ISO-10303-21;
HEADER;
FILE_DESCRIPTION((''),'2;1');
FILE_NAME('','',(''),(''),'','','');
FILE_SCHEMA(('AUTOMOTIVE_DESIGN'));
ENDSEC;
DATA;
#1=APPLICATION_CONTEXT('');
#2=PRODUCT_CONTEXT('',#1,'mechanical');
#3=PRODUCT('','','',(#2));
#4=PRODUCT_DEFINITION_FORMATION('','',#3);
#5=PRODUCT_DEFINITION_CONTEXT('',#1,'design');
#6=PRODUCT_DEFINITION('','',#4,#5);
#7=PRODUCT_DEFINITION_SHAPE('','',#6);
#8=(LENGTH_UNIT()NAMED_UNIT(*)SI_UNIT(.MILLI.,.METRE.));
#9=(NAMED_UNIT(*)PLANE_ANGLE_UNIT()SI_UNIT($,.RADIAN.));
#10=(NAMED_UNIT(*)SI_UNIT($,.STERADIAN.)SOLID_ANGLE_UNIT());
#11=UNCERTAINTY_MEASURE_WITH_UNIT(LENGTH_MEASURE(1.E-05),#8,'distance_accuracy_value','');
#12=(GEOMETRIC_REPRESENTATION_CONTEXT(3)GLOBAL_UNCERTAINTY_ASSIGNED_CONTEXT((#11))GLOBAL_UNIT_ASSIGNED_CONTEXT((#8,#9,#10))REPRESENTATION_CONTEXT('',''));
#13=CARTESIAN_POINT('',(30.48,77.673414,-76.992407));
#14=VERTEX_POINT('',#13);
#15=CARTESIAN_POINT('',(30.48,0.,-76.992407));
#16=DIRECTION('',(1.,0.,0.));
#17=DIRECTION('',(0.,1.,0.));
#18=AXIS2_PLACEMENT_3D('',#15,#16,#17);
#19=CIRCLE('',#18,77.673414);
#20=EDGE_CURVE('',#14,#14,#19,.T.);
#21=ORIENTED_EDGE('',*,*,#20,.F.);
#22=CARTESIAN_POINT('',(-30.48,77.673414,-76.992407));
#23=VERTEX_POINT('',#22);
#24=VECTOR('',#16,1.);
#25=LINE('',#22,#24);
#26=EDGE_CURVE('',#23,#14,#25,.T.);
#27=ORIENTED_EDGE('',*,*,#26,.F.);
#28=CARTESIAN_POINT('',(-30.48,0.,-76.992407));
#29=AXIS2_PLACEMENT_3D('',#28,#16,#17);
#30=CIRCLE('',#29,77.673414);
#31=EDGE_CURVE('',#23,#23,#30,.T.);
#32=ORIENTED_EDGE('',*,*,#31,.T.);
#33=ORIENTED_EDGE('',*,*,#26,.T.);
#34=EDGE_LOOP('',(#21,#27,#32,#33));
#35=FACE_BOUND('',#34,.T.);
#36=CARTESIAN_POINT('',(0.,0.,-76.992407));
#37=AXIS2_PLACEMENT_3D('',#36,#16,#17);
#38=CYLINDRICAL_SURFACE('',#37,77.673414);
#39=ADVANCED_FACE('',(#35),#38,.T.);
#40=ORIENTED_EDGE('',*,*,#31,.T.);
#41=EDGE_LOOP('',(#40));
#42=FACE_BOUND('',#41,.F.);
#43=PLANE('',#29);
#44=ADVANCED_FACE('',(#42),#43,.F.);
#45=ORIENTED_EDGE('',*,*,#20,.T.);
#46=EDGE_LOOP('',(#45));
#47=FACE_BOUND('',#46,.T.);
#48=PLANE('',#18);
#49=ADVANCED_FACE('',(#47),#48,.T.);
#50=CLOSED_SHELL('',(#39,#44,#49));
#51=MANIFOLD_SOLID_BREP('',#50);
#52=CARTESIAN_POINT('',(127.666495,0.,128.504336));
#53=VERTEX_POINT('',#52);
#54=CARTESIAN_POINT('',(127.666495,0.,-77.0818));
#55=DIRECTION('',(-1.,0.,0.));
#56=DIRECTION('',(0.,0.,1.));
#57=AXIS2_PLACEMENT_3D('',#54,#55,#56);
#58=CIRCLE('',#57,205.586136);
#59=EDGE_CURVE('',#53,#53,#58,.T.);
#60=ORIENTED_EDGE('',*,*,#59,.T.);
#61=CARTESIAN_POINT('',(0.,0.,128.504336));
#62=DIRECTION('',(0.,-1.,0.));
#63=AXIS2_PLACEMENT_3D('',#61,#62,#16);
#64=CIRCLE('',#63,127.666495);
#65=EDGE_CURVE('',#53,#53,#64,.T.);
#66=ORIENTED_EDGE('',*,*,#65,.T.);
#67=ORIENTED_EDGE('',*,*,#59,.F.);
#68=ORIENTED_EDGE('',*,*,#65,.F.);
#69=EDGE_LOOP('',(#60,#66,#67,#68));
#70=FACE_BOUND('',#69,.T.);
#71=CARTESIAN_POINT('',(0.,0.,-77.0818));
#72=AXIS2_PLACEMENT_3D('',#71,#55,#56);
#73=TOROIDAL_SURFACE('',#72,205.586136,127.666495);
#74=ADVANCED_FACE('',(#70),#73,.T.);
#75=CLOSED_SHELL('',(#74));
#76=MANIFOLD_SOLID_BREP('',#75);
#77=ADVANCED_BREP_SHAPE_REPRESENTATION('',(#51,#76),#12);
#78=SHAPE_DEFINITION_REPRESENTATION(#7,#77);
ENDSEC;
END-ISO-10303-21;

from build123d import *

# Parameters (mm, degrees)
F0_R     = 127.666495
F2_R     = 77.673414
F3_DEPTH = 30.48


with BuildPart() as f1:
    # F0 (on Front) → F1 (revolve)
    with BuildSketch(Plane.XZ):
        with Locations((0, 128.504336)):
            Circle(F0_R)
    revolve(axis=Axis((-0.234909, 0, -77.0818), (-1, 0, 0)))


with BuildPart() as f3:
    # F2 (on Right) → F3 (new body, symmetric)
    with BuildSketch(Plane.YZ):
        with Locations((0, -76.992407)):
            Circle(F2_R)
    extrude(amount=F3_DEPTH, both=True)


solid = Compound([f1.part, f3.part])
